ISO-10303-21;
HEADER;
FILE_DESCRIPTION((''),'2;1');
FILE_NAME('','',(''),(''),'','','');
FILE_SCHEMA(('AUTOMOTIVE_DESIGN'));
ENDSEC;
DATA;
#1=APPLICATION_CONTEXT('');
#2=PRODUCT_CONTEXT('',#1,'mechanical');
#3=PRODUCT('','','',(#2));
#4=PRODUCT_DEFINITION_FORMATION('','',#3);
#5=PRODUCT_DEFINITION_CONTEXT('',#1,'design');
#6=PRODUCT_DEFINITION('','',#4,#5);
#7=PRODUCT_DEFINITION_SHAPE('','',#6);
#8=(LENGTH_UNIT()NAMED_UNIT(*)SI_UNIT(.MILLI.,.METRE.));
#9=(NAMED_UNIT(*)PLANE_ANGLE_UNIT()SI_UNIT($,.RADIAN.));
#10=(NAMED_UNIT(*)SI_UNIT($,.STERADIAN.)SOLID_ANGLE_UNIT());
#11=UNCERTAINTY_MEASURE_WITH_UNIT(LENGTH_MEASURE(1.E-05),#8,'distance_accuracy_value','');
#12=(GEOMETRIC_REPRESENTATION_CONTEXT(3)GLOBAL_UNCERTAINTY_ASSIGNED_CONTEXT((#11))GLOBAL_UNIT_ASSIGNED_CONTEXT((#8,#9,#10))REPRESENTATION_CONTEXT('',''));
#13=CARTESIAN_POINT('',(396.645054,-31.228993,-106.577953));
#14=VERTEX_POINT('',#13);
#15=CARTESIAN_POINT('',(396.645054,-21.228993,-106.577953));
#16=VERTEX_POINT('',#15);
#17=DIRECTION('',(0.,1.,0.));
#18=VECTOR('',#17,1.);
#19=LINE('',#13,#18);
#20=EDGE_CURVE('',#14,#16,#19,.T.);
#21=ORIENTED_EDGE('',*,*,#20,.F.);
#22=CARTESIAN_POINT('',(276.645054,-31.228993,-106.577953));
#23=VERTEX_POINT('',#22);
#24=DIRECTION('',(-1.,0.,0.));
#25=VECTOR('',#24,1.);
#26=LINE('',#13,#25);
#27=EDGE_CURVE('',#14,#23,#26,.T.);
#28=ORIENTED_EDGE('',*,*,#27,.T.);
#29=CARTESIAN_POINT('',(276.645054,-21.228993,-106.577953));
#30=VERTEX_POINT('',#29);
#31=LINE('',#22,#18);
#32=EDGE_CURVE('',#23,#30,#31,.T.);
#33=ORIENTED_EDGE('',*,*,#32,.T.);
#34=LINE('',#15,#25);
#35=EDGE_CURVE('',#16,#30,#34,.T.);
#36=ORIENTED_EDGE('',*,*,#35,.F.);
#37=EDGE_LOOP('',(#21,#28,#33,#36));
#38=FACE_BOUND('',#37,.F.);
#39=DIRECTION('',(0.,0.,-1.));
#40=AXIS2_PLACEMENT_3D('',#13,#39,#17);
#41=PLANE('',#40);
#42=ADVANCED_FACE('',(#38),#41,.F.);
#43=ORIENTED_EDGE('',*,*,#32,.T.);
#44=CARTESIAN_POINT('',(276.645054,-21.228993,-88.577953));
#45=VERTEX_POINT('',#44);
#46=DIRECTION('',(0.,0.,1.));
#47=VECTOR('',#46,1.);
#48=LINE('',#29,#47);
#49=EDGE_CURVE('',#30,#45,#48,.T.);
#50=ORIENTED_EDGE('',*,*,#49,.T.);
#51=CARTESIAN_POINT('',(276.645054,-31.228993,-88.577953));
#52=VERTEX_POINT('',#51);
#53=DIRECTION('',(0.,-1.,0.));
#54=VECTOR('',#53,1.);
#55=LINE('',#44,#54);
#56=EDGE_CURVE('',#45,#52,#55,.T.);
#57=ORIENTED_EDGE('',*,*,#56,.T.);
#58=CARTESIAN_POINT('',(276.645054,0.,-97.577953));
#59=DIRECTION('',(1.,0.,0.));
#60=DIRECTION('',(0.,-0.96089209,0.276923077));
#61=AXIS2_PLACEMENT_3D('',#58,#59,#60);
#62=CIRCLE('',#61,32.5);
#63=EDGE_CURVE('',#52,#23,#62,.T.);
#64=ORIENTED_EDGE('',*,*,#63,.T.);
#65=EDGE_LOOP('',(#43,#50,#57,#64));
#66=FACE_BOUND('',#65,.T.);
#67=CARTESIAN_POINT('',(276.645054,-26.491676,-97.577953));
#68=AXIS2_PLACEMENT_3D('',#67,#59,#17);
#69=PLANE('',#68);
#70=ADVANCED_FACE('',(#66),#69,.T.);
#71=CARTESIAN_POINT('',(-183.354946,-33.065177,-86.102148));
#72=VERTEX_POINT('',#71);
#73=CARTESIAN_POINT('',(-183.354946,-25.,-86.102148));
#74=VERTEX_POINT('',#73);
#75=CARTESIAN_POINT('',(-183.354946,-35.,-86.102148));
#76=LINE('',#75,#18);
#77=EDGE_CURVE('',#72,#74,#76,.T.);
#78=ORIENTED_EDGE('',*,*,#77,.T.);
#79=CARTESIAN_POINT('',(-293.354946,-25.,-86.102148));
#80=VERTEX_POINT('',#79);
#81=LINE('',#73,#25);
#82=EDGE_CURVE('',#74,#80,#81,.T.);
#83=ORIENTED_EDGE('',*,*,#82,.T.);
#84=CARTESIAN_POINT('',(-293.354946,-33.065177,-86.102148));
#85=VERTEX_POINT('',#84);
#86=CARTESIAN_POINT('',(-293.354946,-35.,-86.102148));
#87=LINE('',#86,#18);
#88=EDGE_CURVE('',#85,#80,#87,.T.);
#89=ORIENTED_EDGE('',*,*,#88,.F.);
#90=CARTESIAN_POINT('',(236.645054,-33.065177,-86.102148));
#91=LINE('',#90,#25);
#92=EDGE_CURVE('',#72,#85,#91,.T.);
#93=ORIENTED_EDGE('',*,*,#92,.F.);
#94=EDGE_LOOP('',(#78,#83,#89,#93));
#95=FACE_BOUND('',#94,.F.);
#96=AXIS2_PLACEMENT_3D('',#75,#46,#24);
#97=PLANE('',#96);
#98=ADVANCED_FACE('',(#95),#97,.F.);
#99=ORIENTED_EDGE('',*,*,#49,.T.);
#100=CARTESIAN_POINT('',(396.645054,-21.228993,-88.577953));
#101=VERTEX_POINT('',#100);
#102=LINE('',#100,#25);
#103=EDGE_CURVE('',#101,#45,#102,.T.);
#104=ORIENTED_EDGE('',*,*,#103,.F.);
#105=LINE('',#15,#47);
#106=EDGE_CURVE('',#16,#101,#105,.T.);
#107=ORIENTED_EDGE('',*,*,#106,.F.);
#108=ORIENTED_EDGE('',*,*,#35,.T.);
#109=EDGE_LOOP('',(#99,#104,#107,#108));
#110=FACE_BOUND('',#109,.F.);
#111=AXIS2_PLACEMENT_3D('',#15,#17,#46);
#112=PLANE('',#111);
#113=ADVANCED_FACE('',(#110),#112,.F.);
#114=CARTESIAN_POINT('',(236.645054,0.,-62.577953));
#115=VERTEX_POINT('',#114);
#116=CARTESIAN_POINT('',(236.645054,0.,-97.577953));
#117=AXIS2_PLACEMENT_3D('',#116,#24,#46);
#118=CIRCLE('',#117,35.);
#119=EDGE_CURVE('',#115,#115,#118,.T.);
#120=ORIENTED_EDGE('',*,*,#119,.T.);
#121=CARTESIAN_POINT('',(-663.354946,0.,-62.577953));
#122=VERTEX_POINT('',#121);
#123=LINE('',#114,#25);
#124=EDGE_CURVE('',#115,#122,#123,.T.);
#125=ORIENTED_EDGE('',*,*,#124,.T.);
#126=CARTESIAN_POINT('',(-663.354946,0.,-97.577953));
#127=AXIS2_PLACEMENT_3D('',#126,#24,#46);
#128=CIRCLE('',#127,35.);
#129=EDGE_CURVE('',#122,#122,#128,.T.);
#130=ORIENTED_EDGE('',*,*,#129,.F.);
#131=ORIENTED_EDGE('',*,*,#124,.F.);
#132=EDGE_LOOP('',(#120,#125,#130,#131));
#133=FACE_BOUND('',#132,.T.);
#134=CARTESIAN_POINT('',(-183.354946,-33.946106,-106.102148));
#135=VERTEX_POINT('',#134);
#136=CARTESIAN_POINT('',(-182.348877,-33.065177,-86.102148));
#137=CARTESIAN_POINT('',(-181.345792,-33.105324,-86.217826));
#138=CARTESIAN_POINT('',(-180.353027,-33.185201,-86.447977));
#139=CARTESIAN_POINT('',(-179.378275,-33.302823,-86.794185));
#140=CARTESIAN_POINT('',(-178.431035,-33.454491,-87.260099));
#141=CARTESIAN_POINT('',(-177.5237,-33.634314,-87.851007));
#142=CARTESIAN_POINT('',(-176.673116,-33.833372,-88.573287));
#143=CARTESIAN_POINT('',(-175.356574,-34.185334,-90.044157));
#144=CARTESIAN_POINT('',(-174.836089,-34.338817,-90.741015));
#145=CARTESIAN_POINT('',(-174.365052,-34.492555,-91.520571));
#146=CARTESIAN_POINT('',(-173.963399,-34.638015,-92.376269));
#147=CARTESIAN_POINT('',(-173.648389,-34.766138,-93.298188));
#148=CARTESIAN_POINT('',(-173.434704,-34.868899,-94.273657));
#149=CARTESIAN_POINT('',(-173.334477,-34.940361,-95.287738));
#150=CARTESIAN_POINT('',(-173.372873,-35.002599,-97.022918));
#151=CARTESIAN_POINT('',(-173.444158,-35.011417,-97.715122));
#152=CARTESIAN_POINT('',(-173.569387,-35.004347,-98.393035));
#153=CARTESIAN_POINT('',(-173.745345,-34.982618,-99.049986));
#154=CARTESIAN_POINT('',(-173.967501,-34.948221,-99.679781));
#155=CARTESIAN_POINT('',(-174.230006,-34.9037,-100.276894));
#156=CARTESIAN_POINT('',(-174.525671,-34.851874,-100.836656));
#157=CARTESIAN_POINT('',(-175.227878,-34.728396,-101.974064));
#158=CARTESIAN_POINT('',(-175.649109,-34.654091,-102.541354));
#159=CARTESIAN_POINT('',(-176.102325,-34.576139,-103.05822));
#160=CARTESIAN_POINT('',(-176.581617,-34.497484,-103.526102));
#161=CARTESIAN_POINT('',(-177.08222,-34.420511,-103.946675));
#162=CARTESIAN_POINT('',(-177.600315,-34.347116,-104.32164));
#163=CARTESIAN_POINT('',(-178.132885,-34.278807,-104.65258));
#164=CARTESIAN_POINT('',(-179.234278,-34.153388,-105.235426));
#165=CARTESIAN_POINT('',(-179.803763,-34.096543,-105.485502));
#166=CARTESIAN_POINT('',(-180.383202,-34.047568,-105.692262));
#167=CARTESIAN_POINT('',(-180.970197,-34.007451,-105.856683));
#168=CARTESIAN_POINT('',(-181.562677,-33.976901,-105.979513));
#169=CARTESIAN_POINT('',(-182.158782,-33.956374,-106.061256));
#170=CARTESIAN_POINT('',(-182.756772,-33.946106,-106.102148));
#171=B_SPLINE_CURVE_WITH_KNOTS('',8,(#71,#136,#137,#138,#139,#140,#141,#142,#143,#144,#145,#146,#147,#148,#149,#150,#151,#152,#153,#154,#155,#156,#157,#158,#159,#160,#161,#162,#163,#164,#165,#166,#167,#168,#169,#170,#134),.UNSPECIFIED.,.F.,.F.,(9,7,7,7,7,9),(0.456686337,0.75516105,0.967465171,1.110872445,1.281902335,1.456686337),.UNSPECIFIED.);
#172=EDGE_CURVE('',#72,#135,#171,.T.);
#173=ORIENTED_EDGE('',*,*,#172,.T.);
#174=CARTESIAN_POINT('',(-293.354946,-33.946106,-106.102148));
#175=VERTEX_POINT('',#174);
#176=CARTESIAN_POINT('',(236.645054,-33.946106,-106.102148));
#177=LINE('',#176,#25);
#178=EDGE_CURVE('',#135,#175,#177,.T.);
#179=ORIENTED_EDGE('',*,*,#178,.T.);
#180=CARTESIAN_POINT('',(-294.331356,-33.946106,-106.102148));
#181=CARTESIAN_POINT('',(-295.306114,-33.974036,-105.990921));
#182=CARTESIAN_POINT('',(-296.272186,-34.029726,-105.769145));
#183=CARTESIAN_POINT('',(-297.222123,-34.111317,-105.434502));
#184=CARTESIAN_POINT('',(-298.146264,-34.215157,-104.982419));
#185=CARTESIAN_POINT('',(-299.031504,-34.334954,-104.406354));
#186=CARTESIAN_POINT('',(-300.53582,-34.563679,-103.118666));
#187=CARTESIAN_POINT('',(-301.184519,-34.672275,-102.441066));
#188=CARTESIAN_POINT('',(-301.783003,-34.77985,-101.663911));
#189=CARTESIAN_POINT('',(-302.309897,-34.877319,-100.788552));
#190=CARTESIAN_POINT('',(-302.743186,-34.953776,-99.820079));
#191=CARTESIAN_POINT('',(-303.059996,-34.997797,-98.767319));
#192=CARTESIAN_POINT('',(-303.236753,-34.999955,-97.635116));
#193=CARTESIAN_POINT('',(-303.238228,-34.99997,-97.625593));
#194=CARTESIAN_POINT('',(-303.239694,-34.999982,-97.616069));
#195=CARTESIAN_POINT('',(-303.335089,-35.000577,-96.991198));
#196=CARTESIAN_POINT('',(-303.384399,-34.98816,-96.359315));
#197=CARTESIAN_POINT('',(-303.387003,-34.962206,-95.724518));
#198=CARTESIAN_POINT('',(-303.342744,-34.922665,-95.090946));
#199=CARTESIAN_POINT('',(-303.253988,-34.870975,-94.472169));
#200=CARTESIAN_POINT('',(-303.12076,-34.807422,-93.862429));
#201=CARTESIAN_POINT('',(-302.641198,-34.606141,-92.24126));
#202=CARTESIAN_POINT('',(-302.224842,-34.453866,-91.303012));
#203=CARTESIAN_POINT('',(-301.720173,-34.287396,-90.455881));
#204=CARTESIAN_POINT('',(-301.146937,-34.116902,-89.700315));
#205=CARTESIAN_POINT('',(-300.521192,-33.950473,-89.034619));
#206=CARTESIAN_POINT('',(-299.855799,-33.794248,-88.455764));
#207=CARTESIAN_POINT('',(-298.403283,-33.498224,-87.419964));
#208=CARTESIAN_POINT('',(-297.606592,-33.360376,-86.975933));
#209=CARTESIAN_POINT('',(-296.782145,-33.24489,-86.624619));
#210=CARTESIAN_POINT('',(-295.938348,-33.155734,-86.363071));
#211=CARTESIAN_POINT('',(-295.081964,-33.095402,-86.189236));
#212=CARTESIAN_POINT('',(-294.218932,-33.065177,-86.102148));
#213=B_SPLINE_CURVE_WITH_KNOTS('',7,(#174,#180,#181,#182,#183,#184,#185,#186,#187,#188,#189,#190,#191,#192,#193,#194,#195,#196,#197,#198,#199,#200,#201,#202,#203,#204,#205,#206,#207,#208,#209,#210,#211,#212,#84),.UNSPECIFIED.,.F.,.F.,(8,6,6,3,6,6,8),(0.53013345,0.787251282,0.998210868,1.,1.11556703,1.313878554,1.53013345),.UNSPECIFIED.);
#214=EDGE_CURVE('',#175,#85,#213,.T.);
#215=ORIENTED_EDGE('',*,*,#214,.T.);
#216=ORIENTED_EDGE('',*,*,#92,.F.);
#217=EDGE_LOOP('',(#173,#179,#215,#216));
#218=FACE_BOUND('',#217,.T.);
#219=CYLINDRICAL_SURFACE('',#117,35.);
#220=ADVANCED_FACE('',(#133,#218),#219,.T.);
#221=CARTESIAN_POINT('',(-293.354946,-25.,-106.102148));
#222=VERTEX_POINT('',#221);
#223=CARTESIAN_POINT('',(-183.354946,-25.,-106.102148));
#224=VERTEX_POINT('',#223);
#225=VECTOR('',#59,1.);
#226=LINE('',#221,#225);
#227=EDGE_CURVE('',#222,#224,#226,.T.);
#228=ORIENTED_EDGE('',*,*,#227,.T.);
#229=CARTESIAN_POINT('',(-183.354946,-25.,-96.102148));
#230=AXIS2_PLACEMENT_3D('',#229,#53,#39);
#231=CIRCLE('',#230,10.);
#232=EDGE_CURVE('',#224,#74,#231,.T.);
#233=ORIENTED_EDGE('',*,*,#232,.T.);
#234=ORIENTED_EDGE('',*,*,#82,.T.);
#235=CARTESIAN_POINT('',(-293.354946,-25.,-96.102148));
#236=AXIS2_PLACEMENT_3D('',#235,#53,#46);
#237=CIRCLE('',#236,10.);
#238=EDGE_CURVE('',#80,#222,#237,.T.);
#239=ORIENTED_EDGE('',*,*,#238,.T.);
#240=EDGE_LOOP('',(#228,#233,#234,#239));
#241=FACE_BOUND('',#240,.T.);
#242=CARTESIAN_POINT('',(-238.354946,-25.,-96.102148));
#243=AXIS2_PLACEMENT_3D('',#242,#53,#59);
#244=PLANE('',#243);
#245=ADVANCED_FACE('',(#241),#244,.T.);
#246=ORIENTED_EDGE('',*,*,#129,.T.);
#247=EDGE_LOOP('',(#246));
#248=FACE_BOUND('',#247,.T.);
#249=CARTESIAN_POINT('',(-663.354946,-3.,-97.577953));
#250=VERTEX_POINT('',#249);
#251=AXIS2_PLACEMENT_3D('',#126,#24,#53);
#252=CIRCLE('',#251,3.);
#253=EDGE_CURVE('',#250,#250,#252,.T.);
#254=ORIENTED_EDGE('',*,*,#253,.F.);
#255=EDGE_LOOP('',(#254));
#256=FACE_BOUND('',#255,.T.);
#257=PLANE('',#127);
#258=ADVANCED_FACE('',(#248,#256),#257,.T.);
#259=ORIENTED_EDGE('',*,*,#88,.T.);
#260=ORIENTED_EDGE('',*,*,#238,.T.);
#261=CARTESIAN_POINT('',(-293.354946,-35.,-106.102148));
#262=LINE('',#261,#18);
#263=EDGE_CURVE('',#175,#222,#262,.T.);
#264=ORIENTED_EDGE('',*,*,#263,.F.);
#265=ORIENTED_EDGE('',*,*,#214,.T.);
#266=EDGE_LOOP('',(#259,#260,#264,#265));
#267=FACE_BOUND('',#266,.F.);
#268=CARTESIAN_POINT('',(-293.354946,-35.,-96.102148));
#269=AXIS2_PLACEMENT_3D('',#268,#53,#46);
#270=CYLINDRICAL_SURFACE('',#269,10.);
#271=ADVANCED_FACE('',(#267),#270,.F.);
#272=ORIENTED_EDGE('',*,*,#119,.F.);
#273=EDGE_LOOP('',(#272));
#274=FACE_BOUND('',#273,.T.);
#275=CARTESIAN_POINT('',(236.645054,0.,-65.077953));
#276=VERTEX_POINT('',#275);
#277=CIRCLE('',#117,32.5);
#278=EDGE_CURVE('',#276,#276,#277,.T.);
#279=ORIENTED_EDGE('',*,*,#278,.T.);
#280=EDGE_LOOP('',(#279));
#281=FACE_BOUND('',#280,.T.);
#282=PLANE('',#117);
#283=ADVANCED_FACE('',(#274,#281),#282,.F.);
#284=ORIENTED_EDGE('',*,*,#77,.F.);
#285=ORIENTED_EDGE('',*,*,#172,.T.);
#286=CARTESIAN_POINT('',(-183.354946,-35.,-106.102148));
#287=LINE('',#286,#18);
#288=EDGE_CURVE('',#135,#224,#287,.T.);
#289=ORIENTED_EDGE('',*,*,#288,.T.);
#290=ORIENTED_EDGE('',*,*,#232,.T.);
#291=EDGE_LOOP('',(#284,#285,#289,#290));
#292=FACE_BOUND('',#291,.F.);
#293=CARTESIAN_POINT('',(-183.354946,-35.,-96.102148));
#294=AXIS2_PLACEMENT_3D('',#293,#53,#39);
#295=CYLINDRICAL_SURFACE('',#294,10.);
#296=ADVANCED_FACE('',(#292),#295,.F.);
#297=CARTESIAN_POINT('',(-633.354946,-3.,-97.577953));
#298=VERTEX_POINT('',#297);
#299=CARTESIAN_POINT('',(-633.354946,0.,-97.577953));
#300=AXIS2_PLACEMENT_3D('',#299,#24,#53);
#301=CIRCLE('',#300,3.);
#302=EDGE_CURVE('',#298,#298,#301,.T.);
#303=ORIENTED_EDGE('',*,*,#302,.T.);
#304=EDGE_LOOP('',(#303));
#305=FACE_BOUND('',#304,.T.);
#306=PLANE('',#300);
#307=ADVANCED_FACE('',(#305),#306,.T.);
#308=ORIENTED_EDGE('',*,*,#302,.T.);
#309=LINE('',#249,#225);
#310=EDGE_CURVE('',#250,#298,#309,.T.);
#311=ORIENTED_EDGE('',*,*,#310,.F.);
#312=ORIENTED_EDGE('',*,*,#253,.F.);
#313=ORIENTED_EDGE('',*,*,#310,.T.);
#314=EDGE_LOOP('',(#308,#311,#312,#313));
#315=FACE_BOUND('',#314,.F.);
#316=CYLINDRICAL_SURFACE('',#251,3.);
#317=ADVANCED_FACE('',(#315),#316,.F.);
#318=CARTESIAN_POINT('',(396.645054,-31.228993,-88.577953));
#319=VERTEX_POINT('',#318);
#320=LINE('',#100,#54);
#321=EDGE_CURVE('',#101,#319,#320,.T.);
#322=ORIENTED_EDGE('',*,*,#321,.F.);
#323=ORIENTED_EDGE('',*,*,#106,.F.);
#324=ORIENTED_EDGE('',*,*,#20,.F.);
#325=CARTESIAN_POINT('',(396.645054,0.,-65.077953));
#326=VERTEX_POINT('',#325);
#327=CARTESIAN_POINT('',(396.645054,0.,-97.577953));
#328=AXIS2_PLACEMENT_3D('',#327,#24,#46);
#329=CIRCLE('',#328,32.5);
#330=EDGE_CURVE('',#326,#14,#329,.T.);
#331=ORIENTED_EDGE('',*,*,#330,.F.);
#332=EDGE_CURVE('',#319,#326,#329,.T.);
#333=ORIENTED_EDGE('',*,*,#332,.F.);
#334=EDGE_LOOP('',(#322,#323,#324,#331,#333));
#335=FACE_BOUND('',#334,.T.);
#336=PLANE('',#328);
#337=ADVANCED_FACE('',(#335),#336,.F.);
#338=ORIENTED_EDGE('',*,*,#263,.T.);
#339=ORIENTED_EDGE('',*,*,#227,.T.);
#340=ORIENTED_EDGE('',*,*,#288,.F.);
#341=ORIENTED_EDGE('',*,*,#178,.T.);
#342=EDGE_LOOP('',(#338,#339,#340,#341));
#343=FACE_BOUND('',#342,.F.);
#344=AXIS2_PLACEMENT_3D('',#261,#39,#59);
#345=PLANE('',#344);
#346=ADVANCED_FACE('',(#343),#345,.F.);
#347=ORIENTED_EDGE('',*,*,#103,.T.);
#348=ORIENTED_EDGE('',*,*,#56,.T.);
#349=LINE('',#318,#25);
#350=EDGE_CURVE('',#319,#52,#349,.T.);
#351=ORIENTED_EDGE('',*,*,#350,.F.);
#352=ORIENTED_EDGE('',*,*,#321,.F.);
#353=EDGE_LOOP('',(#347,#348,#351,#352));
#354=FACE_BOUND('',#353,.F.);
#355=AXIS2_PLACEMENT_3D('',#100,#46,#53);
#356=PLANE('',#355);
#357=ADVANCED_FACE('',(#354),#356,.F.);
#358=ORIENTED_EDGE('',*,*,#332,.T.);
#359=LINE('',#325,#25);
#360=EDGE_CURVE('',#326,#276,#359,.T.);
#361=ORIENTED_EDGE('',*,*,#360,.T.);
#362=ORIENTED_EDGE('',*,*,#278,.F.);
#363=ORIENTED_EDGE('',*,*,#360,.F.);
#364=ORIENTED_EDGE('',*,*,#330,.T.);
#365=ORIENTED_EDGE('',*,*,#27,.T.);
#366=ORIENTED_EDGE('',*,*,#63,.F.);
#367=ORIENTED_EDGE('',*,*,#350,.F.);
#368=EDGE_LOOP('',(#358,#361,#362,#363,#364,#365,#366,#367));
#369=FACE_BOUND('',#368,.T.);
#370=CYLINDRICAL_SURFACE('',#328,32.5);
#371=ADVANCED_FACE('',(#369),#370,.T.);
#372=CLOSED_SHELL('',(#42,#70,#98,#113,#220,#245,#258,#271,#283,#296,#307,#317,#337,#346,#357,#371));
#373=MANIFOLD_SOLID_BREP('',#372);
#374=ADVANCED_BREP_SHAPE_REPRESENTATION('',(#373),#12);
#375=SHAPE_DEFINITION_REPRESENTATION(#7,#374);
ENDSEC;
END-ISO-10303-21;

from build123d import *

# Parameters (mm, degrees)
F3_DEPTH = 120
F6_DEPTH = 10
F7_R     = 3
F8_DEPTH = 30


with BuildPart() as f1:
    # F0 (on Front) → F1 (revolve)
    with BuildSketch(Plane.XZ):
        Polygon((236.6450538874, -62.5779533936), (-663.3549461126, -62.5779533936), (-663.3549461126, -97.5779533936), (396.6450538874, -97.5779533936), (396.6450538874, -65.0779533936), (236.6450538874, -65.0779533936), align=None)
    revolve(axis=Axis((-133.3549461126, 0, -97.5779533936), (-1, 0, 0)))

    # F2 (on face) → F3 (cut)
    with BuildSketch(Plane.YZ.offset(396.6450538874)):
        with BuildLine():
            Line((-21.2289929393, -88.5779533936), (-31.2289929393, -88.5779533936))
            ThreePointArc((-31.2289929393, -88.5779533936), (-32.5, -97.5779533936), (-31.2289929393, -106.5779533936))
            Line((-31.2289929393, -106.5779533936), (-21.2289929393, -106.5779533936))
            Line((-21.2289929393, -106.5779533936), (-21.2289929393, -88.5779533936))
        make_face()
    extrude(amount=-F3_DEPTH, mode=Mode.SUBTRACT)

    # F5 (on offset) → F6 (cut)
    with BuildSketch(Plane.XZ.offset(35)):
        with BuildLine():
            Line((-183.3549461126, -86.1021482944), (-293.3549461126, -86.1021482944))
            ThreePointArc((-293.3549461126, -86.1021482944), (-303.3549461126, -96.1021482944), (-293.3549461126, -106.1021482944))
            Line((-293.3549461126, -106.1021482944), (-183.3549461126, -106.1021482944))
            ThreePointArc((-183.3549461126, -106.1021482944), (-173.3549461126, -96.1021482944), (-183.3549461126, -86.1021482944))
        make_face()
    extrude(amount=-F6_DEPTH, mode=Mode.SUBTRACT)

    # F7 (on face) → F8 (cut)
    with BuildSketch(Plane(origin=(-663.3549461126, 0, 0), x_dir=(0, -1, 0), z_dir=(-1, 0, 0))):
        with Locations((0, -97.5779533936)):
            Circle(F7_R)
    extrude(amount=-F8_DEPTH, mode=Mode.SUBTRACT)


solid = f1.part
